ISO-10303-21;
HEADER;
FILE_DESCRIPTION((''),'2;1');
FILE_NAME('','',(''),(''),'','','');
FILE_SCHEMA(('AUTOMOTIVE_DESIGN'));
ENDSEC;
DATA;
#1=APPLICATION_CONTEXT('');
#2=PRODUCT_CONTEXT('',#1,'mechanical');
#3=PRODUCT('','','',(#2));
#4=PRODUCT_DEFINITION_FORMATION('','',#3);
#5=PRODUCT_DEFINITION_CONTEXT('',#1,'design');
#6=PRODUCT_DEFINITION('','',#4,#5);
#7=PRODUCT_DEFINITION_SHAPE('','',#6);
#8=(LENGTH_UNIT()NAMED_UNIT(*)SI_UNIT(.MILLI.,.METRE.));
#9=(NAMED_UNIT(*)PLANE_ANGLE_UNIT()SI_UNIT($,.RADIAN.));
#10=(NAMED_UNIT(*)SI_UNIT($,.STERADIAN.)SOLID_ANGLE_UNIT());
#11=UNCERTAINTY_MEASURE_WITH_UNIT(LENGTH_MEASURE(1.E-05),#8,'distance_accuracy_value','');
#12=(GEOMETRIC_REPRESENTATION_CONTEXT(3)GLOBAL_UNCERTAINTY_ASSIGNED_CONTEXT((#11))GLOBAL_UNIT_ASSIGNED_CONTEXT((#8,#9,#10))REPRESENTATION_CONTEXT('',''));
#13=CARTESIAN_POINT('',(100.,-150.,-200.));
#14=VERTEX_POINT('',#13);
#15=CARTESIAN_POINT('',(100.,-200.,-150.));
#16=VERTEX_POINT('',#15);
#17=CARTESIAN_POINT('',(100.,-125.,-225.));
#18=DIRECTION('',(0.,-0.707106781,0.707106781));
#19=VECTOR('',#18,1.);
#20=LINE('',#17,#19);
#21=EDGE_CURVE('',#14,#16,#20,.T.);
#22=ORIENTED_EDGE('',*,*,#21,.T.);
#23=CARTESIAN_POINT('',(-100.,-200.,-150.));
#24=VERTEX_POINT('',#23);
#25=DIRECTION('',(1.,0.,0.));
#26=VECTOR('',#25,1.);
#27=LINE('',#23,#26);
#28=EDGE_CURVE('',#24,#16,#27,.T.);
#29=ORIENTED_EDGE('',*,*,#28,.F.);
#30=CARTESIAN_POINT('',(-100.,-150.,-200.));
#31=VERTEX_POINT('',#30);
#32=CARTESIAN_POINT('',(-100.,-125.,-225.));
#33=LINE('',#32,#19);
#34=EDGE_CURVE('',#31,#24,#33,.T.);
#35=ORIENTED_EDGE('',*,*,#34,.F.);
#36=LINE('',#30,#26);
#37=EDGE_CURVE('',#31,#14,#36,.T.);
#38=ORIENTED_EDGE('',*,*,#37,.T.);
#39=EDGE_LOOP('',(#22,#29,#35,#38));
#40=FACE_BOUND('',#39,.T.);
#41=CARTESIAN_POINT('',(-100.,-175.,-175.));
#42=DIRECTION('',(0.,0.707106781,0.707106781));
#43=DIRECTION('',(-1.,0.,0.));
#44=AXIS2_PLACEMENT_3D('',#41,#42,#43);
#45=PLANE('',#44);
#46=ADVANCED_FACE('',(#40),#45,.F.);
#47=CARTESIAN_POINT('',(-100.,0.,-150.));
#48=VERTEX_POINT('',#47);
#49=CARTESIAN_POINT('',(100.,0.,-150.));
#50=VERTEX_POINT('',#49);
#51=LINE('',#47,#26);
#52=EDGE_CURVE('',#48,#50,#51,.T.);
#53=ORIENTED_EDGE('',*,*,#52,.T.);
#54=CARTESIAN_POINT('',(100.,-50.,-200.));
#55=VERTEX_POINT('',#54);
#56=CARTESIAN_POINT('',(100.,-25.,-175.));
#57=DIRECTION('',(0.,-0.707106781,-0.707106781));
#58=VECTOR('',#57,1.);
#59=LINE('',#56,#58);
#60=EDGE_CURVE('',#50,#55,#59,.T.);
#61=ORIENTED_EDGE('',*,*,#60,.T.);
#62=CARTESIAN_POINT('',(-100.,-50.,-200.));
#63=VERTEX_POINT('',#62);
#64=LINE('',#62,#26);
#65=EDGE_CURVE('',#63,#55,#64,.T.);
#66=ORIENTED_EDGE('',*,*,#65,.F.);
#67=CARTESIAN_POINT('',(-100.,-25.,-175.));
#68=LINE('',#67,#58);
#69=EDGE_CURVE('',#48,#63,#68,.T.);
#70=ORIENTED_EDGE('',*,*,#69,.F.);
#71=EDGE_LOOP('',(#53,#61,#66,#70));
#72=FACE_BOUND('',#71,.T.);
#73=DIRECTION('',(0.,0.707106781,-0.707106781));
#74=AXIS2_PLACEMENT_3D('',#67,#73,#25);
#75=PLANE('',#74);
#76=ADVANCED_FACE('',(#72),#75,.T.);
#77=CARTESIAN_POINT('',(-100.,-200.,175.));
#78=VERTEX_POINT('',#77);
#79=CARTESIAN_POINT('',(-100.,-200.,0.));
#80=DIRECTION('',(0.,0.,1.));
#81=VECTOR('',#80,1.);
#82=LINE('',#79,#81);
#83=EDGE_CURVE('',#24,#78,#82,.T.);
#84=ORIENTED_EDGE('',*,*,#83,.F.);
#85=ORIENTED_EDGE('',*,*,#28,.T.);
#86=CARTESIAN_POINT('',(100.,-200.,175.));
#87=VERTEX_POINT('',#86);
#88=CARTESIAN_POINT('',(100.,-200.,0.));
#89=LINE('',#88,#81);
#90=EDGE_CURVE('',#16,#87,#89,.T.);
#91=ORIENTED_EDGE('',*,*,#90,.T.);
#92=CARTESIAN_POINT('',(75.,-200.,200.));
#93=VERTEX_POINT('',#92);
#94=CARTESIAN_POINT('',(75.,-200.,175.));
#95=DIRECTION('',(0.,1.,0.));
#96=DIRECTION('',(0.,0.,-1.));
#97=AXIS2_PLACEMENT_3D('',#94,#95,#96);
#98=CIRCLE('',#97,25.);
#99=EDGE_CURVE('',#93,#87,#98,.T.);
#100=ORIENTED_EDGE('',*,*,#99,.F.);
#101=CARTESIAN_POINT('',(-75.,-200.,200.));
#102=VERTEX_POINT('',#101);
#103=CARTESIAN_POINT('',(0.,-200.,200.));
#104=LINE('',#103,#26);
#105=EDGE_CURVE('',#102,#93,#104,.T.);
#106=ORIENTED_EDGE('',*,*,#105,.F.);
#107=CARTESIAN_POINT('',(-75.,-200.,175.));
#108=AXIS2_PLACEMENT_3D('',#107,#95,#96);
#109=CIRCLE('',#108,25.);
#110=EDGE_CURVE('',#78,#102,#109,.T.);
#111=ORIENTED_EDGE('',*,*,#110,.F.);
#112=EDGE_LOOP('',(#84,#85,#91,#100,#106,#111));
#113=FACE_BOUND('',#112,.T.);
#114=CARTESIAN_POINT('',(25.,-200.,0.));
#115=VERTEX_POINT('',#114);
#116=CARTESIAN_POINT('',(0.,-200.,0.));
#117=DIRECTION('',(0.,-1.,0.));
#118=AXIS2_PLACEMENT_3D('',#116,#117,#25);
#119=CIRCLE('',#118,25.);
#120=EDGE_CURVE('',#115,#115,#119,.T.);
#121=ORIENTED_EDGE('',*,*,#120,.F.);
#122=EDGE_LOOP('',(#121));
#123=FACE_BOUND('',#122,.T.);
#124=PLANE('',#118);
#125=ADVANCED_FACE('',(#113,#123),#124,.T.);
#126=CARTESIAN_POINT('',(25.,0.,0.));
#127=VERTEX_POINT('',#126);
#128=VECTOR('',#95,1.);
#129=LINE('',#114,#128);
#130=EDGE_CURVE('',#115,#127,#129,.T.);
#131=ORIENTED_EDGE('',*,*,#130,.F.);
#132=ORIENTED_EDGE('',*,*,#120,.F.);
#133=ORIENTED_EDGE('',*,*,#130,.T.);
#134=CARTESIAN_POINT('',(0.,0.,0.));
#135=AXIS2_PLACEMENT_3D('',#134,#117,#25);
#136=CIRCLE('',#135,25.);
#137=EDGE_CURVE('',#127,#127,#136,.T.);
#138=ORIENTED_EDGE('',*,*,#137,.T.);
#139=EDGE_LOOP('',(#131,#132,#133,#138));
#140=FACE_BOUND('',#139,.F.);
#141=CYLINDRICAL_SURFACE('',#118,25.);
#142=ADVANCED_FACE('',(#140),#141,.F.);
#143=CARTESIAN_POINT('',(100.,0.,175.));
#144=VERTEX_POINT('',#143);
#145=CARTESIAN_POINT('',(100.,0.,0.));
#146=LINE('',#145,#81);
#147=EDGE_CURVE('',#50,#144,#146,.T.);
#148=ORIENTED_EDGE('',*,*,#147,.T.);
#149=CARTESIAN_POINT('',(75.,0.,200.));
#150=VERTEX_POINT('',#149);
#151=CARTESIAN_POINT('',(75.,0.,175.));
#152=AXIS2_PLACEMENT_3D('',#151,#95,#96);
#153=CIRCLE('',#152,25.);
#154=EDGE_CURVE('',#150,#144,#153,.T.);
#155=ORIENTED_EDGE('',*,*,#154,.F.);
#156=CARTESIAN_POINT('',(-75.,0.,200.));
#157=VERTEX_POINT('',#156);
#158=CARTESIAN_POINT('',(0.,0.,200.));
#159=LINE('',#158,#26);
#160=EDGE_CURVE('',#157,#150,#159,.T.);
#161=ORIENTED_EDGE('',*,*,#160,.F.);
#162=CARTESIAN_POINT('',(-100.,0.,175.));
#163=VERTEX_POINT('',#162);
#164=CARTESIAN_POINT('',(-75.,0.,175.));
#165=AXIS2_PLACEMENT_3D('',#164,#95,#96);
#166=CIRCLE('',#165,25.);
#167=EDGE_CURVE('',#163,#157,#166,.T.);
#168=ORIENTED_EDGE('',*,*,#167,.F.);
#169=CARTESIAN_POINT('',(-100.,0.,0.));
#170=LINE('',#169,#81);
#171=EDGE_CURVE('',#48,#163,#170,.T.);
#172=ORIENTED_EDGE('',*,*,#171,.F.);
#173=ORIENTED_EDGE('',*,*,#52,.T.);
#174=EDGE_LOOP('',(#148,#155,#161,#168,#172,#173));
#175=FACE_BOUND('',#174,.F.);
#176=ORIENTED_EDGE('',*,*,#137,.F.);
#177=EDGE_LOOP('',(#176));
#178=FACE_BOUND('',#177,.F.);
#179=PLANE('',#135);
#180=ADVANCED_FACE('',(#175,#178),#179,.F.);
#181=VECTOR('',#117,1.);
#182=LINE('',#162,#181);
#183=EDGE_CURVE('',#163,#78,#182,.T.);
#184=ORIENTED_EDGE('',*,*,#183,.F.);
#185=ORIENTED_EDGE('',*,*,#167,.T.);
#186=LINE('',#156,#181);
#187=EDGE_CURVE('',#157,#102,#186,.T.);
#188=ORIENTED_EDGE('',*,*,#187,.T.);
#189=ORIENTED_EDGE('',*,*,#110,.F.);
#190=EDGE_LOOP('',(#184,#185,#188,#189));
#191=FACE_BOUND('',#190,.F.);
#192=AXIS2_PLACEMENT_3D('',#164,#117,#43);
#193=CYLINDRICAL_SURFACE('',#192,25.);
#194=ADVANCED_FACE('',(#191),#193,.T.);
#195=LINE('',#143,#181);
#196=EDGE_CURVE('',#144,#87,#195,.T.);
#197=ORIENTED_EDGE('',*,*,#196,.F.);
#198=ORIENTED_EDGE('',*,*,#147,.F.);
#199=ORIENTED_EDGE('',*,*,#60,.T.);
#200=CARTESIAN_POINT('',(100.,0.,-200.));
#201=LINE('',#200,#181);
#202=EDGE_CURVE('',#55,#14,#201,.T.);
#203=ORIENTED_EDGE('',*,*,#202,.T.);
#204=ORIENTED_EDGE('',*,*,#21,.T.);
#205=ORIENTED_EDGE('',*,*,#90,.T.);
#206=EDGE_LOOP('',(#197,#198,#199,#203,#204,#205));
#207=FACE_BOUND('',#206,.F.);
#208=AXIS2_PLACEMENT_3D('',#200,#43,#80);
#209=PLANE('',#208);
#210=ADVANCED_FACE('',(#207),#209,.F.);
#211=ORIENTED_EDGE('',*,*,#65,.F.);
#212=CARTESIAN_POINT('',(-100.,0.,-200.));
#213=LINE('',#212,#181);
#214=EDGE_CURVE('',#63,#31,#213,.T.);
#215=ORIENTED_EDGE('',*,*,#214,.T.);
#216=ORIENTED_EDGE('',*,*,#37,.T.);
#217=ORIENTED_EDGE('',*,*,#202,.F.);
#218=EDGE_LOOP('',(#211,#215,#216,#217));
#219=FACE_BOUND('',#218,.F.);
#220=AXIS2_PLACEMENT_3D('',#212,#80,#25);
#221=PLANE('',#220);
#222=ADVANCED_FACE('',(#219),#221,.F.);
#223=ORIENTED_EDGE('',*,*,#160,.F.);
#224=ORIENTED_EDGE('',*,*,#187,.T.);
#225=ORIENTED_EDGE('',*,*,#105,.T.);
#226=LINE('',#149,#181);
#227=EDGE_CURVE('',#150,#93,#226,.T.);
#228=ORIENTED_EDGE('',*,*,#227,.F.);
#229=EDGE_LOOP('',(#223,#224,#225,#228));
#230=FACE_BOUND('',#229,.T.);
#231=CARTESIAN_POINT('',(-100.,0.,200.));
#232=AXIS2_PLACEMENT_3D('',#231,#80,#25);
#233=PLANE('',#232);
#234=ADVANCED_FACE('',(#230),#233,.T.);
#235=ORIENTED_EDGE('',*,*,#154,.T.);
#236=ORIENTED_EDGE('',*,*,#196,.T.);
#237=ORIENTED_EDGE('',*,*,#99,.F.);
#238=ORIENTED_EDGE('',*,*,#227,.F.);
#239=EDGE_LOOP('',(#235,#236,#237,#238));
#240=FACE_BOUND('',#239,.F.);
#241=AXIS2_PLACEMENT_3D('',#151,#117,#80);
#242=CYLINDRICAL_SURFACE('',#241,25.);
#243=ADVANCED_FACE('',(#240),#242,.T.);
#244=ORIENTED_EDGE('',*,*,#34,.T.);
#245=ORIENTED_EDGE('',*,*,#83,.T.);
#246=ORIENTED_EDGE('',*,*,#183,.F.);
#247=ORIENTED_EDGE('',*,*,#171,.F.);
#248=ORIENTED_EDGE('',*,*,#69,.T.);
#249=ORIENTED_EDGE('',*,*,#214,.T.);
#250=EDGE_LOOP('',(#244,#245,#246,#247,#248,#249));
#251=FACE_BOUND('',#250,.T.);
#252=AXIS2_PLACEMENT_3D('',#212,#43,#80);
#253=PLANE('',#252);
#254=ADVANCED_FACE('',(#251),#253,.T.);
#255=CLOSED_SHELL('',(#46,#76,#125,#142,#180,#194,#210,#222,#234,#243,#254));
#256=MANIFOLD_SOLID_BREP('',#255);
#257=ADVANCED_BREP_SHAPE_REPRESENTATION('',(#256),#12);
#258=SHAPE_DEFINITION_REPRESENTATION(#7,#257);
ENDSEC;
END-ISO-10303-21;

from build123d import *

# Parameters (mm, degrees)
F0_W     = 200
F0_H     = 400
F1_DEPTH = 200
F2_R     = 25
F3_DEPTH = 200.001
F4_R     = 25
F5_SIZE  = 50


with BuildPart() as f1:
    # F0 (on Front) → F1 (new body)
    with BuildSketch(Plane.XZ):
        Rectangle(F0_W, F0_H)
    extrude(amount=F1_DEPTH)

    # F2 (on face) → F3 (cut, through all)
    with BuildSketch(Plane.XZ.offset(200)):
        Circle(F2_R)
    extrude(amount=-F3_DEPTH, mode=Mode.SUBTRACT)

    # F4
    f4_edges = [f1.edges().sort_by_distance(p)[0] for p in [
        (100, -100, 200),
        (-100, -100, 200),
    ]]
    fillet(f4_edges, radius=F4_R)

    # F5
    f5_edges = [f1.edges().sort_by_distance(p)[0] for p in [
        (0, 0, -200),
        (0, -200, -200),
    ]]
    chamfer(f5_edges, length=F5_SIZE)


solid = f1.part
